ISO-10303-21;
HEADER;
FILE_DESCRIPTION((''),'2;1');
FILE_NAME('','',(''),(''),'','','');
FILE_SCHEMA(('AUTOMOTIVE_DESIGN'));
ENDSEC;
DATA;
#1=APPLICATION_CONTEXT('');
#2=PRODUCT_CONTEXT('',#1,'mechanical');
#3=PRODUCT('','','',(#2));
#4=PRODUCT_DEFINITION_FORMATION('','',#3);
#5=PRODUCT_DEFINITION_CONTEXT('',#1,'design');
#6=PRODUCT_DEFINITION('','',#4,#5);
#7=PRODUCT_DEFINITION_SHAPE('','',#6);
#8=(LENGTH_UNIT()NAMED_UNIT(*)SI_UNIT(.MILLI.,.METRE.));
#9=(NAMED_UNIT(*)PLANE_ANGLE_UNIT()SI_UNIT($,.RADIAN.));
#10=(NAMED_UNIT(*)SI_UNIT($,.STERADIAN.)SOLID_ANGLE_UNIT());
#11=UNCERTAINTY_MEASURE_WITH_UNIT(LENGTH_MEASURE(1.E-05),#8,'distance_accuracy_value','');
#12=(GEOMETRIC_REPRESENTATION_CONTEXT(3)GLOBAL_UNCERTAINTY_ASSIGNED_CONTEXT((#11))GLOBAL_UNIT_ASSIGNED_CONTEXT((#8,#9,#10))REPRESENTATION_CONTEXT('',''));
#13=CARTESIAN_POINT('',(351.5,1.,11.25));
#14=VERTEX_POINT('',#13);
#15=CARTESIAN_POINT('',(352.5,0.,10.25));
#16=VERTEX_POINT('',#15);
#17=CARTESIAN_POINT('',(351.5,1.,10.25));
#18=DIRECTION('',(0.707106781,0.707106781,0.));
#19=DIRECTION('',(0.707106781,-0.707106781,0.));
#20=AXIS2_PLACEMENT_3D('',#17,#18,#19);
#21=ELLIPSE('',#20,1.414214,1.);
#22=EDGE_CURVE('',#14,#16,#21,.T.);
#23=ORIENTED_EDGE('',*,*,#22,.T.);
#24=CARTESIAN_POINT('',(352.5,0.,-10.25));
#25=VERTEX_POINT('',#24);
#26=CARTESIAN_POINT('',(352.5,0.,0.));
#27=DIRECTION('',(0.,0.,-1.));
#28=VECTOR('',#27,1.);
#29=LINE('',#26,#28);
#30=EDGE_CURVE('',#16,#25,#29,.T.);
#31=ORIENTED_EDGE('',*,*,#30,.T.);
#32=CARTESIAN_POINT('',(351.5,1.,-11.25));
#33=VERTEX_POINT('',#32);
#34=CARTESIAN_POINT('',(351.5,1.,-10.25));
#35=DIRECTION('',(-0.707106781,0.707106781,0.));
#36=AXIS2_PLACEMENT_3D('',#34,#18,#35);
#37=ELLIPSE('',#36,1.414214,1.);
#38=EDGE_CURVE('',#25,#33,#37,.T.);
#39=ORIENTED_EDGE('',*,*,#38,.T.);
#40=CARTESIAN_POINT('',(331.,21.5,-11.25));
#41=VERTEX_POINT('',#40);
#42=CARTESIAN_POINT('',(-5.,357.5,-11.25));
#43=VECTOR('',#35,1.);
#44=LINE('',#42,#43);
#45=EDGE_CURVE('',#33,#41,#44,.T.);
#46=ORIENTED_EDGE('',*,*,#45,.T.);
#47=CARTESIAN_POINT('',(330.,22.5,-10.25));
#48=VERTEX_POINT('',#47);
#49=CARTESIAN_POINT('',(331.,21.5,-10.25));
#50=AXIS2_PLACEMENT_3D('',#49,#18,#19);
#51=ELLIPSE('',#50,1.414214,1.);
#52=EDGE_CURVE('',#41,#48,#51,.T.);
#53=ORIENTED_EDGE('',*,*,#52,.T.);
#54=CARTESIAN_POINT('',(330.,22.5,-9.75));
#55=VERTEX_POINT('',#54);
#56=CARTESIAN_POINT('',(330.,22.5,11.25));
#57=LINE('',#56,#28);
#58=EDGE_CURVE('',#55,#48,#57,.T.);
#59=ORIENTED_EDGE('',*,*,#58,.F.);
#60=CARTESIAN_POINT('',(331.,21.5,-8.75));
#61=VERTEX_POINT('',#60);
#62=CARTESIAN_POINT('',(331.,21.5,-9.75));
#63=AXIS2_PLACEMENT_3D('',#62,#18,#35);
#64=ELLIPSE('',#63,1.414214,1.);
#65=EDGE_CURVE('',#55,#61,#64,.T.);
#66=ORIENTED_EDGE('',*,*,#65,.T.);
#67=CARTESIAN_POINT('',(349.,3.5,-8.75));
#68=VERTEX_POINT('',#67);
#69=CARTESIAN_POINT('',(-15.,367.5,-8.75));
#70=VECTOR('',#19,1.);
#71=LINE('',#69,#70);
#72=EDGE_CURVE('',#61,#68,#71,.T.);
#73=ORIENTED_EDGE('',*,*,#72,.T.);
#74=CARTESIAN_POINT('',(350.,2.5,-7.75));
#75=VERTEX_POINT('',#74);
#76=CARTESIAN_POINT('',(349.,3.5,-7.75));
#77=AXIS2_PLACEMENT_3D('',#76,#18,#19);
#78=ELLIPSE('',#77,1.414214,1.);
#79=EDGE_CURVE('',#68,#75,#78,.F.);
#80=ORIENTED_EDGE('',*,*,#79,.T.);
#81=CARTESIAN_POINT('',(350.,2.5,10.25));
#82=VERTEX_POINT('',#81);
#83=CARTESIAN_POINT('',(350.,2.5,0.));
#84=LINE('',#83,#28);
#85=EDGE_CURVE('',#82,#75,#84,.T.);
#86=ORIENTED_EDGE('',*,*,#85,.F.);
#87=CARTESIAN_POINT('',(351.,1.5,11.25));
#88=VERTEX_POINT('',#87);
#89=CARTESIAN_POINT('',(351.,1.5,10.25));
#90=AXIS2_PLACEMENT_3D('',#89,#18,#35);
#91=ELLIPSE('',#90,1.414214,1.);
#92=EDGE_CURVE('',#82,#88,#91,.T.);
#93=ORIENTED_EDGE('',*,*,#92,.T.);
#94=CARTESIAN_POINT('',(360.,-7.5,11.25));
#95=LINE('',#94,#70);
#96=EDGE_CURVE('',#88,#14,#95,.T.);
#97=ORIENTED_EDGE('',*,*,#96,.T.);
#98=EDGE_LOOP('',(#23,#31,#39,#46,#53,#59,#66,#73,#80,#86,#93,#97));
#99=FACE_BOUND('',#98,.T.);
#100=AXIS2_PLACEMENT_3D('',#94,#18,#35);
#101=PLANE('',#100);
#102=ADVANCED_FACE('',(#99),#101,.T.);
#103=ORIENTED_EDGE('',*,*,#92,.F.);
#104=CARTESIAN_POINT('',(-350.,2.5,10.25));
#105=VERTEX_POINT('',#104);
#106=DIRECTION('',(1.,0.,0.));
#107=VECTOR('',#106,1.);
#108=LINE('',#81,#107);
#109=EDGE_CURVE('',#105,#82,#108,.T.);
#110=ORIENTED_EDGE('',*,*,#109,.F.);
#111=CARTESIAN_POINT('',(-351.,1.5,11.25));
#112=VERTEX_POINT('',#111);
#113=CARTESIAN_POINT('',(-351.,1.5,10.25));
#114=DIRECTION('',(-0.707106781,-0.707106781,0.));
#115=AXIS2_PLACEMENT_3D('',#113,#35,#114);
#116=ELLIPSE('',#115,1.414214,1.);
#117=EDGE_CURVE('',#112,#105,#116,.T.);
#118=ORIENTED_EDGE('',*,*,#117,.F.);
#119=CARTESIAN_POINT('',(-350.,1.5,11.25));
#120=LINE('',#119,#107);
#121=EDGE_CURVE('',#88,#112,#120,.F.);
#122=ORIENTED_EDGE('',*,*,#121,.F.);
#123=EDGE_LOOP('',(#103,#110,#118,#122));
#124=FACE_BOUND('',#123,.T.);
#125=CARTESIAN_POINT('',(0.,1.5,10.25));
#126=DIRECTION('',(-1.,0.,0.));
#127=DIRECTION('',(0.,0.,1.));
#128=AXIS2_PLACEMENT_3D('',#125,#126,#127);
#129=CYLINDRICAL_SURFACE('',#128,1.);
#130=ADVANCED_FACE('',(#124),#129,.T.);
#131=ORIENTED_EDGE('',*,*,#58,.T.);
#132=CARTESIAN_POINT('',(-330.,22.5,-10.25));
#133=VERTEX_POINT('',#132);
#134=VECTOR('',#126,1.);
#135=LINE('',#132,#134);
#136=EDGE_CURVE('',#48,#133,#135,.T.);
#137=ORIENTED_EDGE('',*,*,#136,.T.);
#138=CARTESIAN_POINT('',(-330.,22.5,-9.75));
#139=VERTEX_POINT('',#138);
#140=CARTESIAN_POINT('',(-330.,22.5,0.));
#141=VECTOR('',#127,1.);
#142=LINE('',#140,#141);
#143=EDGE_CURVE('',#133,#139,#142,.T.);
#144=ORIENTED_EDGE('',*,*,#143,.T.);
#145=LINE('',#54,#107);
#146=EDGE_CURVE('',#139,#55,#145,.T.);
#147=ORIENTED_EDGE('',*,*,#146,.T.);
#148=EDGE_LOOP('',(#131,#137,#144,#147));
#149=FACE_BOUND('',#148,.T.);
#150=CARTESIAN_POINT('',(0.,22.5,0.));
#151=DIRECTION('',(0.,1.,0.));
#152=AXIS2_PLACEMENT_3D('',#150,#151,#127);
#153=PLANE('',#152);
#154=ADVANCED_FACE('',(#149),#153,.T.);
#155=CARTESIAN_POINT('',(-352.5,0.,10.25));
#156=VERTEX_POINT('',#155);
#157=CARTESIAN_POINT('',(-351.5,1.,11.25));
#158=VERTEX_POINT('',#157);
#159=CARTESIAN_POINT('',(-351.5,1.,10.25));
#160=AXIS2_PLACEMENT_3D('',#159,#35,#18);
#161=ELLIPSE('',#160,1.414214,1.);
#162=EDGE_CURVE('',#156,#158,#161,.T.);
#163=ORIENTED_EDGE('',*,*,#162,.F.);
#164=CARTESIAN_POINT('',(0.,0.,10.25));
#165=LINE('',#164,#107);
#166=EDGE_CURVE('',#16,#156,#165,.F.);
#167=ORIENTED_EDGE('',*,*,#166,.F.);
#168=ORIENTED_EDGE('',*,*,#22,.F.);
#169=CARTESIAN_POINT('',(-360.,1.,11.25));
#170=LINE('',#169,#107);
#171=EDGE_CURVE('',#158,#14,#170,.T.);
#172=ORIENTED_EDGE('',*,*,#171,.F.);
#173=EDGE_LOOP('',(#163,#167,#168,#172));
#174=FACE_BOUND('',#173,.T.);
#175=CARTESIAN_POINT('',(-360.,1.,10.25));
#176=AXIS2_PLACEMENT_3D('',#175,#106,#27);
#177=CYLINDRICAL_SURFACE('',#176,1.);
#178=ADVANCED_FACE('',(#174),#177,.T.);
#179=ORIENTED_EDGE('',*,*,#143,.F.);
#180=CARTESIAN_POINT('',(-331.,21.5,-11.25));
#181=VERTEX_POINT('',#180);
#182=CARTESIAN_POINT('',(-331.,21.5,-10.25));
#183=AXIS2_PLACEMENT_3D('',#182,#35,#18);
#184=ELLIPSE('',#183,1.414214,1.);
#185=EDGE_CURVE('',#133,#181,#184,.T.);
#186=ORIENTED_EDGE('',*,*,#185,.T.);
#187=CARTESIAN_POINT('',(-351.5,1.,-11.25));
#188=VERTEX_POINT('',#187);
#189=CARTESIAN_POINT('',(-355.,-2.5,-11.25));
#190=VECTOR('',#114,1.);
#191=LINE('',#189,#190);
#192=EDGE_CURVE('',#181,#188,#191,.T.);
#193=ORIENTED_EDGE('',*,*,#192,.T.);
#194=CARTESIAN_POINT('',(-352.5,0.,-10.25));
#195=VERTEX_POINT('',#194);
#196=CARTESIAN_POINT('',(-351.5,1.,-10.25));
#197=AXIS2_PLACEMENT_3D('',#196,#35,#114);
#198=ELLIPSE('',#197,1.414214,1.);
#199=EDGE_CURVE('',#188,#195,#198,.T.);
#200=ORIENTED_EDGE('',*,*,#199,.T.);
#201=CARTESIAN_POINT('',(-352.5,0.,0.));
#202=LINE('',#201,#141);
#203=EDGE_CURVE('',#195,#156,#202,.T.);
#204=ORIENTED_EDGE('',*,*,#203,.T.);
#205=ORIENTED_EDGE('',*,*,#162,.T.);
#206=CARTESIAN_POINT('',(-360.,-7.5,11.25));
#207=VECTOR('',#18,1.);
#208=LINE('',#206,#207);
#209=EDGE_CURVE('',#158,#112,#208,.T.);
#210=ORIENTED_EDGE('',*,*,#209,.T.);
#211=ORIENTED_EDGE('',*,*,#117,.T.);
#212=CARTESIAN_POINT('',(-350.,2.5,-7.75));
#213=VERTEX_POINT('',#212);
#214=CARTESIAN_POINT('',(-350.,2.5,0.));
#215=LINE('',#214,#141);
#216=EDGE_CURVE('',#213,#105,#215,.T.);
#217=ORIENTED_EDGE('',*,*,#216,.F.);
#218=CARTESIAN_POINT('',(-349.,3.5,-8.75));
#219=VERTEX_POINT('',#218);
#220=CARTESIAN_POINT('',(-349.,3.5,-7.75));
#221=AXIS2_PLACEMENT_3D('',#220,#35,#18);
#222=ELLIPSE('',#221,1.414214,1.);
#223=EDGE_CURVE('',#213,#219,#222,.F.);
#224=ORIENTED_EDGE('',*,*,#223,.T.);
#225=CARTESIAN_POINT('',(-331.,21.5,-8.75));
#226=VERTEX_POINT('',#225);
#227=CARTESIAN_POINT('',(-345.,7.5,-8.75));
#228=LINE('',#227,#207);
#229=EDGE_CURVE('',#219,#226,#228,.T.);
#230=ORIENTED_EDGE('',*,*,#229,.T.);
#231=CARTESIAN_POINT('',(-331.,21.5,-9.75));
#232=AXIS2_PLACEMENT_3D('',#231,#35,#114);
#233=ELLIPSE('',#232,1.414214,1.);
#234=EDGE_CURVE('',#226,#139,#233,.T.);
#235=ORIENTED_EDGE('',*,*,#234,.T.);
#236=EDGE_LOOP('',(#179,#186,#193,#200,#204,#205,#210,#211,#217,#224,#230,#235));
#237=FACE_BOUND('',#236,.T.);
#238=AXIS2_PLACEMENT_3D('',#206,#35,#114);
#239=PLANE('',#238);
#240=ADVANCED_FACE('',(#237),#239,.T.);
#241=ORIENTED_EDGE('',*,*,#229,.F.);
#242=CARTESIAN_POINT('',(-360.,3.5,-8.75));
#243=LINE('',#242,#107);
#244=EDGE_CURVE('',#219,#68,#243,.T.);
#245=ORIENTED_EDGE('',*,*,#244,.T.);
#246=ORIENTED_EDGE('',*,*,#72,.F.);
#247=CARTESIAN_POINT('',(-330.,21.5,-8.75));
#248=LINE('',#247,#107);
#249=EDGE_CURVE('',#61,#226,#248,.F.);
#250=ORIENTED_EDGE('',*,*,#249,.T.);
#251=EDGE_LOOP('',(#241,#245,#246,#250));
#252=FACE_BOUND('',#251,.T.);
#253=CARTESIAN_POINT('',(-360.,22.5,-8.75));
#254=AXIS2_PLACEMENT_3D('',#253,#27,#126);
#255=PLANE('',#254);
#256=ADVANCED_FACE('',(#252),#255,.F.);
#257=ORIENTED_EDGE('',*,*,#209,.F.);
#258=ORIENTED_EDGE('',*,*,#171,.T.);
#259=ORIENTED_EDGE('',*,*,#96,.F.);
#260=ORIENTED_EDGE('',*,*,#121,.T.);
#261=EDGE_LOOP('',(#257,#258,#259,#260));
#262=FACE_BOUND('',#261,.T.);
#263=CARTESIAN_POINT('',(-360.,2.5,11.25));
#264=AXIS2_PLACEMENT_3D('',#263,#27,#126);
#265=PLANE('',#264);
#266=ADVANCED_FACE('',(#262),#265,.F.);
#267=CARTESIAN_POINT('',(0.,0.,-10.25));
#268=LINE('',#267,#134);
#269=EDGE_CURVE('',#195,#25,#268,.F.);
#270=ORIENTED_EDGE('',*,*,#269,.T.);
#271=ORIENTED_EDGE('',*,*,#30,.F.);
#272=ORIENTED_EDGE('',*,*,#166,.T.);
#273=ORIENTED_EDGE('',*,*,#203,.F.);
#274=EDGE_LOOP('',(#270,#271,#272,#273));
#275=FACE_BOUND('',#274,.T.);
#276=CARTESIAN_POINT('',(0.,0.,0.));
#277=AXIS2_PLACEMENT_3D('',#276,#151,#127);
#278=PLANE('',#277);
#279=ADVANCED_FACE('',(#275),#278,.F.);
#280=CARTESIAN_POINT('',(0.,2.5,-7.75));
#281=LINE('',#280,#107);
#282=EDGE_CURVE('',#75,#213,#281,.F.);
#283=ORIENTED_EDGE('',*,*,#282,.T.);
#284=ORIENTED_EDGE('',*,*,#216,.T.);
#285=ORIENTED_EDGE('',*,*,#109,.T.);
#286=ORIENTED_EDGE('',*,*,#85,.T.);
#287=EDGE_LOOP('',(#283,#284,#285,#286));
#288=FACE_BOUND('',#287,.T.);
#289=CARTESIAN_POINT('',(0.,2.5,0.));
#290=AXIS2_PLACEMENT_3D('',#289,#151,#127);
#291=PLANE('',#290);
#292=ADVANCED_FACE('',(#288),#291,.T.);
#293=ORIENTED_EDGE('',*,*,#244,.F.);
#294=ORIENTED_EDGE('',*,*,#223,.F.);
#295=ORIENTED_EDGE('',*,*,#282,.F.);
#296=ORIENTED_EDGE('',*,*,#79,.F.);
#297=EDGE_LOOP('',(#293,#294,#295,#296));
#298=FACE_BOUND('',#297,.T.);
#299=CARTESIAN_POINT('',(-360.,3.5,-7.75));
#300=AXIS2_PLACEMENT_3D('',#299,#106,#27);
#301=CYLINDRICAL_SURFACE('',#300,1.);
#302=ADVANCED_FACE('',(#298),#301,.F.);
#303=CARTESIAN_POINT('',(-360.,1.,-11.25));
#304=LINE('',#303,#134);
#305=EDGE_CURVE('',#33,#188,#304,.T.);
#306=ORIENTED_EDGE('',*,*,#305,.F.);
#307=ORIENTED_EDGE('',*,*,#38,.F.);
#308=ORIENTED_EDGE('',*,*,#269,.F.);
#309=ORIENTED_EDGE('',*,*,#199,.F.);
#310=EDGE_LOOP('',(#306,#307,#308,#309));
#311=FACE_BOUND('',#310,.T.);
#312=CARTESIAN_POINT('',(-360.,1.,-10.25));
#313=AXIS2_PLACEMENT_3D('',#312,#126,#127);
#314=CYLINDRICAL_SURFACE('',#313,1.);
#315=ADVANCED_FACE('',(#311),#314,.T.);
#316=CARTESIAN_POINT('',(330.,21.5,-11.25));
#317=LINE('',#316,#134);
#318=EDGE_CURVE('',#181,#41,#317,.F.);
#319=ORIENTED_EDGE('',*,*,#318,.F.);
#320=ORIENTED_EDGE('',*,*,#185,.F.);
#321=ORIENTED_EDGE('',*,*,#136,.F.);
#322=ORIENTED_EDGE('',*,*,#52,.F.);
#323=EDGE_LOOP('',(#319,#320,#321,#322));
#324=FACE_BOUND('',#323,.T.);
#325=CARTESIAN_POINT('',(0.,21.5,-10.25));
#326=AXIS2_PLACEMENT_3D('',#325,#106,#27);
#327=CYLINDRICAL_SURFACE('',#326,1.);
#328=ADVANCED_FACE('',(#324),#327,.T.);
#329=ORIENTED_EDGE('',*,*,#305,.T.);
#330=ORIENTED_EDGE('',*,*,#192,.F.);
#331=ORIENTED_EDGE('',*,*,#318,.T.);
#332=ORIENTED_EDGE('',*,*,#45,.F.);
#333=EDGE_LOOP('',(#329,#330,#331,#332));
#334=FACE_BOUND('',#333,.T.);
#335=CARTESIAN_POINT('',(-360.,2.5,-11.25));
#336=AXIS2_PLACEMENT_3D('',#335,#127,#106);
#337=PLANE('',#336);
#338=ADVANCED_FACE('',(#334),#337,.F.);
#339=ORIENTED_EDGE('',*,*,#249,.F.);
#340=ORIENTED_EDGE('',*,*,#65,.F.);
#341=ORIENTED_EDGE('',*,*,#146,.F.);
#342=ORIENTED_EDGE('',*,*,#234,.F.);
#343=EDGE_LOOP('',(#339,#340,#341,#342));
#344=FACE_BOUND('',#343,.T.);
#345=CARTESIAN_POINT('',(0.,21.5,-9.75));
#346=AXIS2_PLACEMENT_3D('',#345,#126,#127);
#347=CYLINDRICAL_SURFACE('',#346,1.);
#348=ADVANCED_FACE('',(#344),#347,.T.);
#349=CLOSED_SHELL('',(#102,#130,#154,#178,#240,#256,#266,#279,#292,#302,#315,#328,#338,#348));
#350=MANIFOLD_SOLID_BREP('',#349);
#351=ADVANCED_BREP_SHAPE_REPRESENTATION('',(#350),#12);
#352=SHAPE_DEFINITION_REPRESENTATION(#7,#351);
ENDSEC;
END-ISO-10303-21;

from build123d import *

# Parameters (mm, degrees)
SKETCH1_W               = 720
SKETCH1_H               = 22.5
BOSS_EXTRUDE1_DEPTH     = 2.5
SKETCH2_W               = 720
SKETCH2_H               = 2.5
BOSS_EXTRUDE2_DEPTH     = 20
CUT_EXTRUDE1_DEPTH      = 362.256487831
CUT_EXTRUDE1_DEPTH_BACK = 25
FILLET2_R               = 1


with BuildPart() as part:
    # Sketch1 → Boss-Extrude1 (new body)
    with BuildSketch(Plane(origin=(0, 0, 0), x_dir=(1, 0, 0), z_dir=(0, 1, 0))):
        Rectangle(SKETCH1_W, SKETCH1_H)
    extrude(amount=BOSS_EXTRUDE1_DEPTH)

    # Sketch2 → Boss-Extrude2 (add)
    with BuildSketch(Plane(origin=(0, 2.5, 0), x_dir=(1, 0, 0), z_dir=(0, 1, 0))):
        with Locations((0, 10)):
            Rectangle(SKETCH2_W, SKETCH2_H)
    extrude(amount=BOSS_EXTRUDE2_DEPTH)

    # Sketch3 → Cut-Extrude1 (cut, two sides: drawn at the far end of the back side and taken through both)
    with BuildSketch(Plane.XY.offset(-8.75).offset(-CUT_EXTRUDE1_DEPTH_BACK)):
        Polygon((-360, 22.5), (-360, -7.5), (-330, 22.5), align=None)
        Polygon((360, 22.5), (360, -7.5), (330, 22.5), align=None)
    extrude(amount=CUT_EXTRUDE1_DEPTH + CUT_EXTRUDE1_DEPTH_BACK, mode=Mode.SUBTRACT)

    # Fillet2
    fillet2_edges = [part.edges().sort_by_distance(p)[0] for p in [
        (0, 22.5, -8.75),
        (0, 2.5, -8.75),
        (0, 0, 11.25),
        (0, 2.5, 11.25),
        (0, 22.5, -11.25),
        (0, 0, -11.25),
    ]]
    fillet(fillet2_edges, radius=FILLET2_R)


solid = part.part
